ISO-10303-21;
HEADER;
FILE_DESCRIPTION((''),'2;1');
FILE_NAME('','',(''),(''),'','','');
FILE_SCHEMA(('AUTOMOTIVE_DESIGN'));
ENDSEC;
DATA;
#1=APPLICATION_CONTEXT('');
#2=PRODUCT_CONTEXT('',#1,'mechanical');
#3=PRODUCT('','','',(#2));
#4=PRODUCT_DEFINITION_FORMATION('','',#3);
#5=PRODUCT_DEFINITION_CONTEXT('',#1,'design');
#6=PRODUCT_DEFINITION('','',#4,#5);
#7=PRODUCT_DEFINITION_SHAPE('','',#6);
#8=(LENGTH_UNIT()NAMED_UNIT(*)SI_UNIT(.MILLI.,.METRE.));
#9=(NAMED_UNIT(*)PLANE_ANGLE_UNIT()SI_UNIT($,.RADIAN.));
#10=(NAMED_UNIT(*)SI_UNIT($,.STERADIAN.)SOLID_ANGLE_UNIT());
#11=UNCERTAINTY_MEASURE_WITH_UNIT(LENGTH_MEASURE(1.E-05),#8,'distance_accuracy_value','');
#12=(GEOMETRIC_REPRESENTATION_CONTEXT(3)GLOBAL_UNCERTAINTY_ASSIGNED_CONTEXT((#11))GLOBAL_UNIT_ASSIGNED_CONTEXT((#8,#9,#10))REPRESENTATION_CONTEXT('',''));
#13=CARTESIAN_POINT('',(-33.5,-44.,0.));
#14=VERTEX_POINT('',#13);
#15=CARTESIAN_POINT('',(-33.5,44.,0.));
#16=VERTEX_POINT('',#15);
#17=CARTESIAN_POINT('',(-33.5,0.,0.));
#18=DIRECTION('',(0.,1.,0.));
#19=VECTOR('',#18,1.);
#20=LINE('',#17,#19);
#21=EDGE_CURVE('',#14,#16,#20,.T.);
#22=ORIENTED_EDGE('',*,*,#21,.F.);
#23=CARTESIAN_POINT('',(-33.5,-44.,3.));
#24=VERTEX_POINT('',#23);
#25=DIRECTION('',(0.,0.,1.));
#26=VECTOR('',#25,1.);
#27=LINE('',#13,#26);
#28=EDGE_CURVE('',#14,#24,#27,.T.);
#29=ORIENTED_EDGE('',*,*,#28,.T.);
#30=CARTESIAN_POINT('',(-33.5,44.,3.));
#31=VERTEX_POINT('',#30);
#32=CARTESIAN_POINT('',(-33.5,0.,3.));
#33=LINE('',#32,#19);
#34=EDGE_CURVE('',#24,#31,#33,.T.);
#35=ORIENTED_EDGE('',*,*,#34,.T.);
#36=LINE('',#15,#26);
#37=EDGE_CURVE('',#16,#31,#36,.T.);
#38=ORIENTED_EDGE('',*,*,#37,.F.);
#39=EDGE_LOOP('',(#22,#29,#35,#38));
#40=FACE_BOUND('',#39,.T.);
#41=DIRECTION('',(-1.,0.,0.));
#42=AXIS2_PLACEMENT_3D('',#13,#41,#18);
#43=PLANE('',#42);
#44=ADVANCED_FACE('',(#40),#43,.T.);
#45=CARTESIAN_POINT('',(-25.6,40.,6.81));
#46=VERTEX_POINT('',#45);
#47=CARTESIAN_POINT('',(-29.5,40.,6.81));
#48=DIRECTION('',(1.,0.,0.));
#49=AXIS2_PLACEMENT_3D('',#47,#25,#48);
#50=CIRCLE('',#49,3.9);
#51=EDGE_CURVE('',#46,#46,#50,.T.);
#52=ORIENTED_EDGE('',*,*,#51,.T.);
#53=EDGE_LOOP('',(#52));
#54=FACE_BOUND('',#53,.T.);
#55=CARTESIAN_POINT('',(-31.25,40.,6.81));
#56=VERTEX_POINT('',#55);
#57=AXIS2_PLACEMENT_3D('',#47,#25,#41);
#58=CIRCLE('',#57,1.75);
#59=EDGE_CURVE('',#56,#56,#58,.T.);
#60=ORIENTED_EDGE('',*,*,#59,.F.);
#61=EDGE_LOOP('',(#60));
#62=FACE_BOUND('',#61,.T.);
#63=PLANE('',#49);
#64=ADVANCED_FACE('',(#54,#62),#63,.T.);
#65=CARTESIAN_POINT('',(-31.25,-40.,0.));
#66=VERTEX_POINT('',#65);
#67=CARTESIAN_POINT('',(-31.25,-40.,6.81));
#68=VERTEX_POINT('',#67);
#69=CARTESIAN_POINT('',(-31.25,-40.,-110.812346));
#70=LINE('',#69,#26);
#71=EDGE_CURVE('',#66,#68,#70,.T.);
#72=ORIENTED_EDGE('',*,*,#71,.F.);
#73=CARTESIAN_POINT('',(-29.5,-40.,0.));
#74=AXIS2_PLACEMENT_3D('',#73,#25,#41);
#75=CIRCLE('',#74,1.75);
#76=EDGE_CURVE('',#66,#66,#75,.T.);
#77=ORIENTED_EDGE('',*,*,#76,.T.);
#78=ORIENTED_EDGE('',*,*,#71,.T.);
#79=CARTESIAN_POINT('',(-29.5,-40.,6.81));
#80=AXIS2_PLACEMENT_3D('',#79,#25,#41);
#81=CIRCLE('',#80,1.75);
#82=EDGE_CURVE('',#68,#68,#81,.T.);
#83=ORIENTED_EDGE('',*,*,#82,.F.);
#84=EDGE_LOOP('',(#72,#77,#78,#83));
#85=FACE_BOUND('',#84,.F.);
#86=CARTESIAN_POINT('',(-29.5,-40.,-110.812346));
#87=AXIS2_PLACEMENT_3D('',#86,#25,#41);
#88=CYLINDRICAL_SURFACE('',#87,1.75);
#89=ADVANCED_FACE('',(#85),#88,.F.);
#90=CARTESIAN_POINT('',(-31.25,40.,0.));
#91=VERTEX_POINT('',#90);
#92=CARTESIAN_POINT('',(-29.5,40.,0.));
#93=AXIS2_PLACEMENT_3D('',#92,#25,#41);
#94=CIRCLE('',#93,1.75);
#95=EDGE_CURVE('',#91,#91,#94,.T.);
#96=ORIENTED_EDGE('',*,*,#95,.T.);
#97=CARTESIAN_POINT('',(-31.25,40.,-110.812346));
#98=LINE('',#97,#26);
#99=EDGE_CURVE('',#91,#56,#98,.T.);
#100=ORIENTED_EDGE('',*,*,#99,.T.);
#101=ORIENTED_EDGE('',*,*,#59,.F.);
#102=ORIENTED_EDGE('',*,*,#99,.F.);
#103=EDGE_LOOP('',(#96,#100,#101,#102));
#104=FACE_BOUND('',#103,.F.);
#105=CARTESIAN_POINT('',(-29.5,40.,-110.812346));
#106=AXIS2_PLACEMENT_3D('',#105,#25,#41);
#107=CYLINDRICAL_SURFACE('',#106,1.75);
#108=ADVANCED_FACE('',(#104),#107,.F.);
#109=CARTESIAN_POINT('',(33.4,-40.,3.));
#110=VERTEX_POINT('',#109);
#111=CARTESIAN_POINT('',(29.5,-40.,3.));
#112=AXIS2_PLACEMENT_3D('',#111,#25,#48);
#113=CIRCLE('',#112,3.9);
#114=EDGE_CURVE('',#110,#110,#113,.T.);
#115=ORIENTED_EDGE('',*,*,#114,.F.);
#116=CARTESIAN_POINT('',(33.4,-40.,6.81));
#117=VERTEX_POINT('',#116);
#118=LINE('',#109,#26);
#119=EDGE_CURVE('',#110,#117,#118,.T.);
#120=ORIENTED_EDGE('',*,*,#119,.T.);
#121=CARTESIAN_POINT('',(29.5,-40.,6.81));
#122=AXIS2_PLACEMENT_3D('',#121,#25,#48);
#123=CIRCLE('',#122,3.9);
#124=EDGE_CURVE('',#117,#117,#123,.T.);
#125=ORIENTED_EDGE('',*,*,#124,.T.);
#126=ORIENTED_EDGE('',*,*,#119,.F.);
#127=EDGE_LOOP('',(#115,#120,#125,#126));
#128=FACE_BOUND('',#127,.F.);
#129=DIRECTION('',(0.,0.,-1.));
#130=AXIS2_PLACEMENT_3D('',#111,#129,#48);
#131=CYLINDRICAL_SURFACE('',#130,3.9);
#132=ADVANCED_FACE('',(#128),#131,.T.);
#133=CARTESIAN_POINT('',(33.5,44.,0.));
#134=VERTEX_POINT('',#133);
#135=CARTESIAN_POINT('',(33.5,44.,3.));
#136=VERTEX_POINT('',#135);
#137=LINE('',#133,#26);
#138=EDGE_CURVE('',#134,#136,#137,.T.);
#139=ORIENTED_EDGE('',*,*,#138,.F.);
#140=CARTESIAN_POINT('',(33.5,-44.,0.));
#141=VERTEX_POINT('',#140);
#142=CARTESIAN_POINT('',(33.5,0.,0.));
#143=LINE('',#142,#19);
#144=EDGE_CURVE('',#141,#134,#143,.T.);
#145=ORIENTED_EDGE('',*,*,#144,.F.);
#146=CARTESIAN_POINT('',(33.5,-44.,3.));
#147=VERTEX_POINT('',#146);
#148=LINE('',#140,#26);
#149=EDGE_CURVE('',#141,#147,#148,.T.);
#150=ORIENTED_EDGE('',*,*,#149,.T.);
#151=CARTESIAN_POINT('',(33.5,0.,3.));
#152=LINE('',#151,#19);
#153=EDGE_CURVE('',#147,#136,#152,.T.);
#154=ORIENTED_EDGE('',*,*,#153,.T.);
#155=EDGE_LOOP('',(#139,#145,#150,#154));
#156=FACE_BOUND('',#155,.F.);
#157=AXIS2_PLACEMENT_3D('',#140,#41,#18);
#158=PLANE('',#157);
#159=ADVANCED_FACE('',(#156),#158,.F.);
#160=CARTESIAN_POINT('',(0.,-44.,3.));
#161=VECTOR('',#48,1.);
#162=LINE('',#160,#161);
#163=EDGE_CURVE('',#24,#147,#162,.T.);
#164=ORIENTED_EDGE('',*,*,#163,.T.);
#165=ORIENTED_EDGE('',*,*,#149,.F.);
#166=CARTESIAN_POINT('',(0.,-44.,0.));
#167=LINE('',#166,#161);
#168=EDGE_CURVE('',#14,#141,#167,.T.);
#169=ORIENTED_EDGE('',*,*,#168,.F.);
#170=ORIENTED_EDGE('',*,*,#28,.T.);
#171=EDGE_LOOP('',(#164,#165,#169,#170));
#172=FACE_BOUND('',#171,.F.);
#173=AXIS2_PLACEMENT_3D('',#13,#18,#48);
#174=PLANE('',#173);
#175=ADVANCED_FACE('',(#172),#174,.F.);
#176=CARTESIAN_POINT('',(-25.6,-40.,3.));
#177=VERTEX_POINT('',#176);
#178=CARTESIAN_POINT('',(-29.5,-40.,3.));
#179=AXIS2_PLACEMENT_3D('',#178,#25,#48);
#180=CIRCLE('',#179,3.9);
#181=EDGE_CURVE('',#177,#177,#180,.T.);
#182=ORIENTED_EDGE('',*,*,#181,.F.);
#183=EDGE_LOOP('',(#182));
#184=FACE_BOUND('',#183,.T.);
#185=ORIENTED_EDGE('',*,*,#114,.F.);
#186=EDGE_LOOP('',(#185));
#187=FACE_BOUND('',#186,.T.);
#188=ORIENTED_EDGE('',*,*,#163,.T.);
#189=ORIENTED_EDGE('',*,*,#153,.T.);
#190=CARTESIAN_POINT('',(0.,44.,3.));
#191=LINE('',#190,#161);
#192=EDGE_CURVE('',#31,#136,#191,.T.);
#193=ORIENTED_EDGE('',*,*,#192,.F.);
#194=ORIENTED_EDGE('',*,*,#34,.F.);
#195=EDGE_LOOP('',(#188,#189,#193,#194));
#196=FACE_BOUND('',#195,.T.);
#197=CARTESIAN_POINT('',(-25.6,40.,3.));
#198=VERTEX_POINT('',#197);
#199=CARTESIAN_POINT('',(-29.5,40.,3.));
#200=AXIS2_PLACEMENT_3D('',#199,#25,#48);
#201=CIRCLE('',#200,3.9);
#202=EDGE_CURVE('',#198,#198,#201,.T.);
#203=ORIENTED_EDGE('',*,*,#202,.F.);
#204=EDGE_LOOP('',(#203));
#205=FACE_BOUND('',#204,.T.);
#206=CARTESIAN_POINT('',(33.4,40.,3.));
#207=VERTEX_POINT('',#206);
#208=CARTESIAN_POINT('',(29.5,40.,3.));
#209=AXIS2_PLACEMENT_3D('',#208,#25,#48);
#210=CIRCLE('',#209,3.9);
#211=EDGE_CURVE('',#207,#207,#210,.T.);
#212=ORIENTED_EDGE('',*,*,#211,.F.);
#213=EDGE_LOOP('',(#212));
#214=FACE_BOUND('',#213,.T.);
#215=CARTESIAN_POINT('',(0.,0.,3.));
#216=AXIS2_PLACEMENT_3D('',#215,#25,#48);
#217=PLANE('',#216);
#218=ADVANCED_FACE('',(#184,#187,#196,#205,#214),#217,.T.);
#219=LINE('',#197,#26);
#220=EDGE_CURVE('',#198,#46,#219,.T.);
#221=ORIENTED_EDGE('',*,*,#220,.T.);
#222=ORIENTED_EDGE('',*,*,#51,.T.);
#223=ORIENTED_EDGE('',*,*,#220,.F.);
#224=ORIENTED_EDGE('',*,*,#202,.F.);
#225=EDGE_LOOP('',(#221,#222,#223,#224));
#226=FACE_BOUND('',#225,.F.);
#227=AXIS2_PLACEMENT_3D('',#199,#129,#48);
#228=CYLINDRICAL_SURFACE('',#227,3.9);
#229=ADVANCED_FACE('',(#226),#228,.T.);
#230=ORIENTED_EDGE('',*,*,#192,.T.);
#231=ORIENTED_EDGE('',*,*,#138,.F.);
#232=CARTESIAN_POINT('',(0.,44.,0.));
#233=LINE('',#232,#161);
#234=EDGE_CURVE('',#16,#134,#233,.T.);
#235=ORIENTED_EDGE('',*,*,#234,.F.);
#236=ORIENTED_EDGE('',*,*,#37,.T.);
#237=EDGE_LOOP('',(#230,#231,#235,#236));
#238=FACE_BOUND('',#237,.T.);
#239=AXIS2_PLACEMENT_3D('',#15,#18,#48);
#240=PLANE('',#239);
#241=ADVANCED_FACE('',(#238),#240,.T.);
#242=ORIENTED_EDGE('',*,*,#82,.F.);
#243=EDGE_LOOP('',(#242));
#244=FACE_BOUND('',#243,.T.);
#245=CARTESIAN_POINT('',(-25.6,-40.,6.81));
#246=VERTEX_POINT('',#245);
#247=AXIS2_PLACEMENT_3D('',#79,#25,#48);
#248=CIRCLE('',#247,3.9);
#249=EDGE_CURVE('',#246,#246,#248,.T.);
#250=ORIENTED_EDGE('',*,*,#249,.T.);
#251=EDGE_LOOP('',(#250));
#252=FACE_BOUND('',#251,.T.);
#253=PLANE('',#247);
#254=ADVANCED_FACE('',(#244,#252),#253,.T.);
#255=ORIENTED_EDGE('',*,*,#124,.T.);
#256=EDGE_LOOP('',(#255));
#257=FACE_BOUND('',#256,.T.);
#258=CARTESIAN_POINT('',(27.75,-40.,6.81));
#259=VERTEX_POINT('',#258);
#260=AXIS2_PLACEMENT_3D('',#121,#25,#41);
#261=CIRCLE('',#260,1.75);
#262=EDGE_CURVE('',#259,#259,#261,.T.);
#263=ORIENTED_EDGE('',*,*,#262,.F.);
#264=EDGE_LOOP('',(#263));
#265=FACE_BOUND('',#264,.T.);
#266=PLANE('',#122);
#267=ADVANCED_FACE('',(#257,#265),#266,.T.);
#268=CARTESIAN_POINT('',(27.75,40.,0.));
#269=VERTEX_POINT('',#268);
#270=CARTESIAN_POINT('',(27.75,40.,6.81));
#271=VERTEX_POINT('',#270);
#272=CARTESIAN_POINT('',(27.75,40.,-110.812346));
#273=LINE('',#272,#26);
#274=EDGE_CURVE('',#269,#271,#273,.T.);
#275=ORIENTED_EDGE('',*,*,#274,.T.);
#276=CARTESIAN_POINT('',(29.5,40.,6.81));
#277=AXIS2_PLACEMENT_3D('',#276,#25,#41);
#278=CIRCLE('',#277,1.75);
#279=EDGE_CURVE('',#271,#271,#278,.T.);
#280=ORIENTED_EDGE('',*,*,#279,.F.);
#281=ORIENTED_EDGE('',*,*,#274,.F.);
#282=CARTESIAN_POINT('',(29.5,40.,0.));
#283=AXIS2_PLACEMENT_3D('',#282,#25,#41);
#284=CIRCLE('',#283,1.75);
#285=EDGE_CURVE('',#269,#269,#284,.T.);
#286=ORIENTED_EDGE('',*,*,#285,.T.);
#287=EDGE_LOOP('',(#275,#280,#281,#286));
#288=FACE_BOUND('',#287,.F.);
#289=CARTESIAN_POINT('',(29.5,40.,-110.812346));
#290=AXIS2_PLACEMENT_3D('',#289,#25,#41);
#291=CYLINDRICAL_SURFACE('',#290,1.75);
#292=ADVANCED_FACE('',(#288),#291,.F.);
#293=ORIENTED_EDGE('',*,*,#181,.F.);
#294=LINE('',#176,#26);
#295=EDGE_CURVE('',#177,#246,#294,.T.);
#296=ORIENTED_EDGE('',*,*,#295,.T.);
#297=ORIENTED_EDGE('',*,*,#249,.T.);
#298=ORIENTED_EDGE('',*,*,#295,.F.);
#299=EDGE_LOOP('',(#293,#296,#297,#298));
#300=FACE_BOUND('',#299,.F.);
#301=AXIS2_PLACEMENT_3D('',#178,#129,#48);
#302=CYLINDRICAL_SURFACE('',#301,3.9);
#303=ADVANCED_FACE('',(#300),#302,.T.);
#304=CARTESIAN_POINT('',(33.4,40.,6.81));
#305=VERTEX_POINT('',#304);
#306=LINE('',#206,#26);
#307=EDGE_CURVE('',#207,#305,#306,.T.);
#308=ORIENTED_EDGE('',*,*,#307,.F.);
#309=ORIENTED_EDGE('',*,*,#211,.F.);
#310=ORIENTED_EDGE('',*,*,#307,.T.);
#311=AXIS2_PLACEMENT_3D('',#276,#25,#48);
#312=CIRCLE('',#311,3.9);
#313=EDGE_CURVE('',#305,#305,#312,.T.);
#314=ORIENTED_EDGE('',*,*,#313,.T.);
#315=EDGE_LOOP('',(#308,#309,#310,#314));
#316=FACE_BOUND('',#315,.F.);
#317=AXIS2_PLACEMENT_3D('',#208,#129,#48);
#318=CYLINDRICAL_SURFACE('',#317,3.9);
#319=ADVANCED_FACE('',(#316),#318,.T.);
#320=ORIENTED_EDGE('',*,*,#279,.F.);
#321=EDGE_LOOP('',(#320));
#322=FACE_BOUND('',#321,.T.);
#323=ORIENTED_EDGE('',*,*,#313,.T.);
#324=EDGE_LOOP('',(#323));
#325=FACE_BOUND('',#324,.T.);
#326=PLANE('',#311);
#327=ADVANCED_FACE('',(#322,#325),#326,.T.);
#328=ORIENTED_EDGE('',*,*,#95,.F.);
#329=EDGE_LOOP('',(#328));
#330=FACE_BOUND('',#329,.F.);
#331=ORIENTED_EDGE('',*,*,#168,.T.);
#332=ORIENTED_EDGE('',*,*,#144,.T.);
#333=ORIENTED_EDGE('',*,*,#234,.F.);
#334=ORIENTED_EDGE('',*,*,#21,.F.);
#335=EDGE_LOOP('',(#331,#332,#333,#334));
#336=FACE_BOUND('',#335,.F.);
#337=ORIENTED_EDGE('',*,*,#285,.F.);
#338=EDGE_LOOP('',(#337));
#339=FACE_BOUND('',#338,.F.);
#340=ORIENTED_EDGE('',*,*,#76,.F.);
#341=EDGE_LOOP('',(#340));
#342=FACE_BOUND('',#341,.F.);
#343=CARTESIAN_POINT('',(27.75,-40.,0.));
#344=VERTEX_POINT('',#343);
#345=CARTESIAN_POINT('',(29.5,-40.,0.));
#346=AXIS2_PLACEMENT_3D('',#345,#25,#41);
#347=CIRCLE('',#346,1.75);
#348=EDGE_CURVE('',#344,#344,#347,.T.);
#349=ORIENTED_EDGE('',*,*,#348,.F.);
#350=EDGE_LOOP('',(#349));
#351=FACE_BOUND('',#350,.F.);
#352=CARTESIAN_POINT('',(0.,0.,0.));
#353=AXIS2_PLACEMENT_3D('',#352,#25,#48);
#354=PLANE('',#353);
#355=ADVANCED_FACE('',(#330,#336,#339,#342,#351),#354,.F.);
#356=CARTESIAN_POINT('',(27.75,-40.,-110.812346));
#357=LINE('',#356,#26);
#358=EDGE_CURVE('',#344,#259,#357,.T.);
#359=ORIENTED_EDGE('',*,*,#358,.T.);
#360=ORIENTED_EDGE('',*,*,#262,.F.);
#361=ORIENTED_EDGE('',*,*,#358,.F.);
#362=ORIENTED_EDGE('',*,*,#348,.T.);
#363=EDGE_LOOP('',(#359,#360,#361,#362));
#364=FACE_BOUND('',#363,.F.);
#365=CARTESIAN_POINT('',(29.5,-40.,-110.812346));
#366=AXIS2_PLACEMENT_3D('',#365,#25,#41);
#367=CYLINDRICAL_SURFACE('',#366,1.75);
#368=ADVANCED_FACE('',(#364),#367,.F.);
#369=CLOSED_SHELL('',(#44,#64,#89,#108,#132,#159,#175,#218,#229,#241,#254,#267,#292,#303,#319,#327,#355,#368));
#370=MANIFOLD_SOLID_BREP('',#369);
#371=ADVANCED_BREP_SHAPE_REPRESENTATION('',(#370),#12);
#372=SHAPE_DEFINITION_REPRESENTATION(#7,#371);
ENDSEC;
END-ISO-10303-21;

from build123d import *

# Parameters (mm, degrees)
F0_W     = 67
F0_H     = 88
F1_DEPTH = 3
F2_R     = 3.9
F3_DEPTH = 3.81
F5_D     = 3.5


with BuildPart() as f1:
    # F0 (on Top) → F1 (new body)
    with BuildSketch(Plane.XY):
        Rectangle(F0_W, F0_H)
    extrude(amount=F1_DEPTH)

    # F2 (on face) → F3 (join)
    with BuildSketch(Plane.XY.offset(3)):
        with Locations((-29.5, 40)):
            Circle(F2_R)
        with Locations((29.5, 40)):
            Circle(F2_R)
        with Locations((-29.5, -40)):
            Circle(F2_R)
        with Locations((29.5, -40)):
            Circle(F2_R)
    extrude(amount=F3_DEPTH)

    # F5 (through all)
    with Locations(Plane(origin=(0, 0, 0), x_dir=(1, 0, 0), z_dir=(0, 0, -1))):
        with Locations((29.5, 40), (-29.5, 40), (-29.5, -40), (29.5, -40)):
            Hole(F5_D / 2)


solid = f1.part
